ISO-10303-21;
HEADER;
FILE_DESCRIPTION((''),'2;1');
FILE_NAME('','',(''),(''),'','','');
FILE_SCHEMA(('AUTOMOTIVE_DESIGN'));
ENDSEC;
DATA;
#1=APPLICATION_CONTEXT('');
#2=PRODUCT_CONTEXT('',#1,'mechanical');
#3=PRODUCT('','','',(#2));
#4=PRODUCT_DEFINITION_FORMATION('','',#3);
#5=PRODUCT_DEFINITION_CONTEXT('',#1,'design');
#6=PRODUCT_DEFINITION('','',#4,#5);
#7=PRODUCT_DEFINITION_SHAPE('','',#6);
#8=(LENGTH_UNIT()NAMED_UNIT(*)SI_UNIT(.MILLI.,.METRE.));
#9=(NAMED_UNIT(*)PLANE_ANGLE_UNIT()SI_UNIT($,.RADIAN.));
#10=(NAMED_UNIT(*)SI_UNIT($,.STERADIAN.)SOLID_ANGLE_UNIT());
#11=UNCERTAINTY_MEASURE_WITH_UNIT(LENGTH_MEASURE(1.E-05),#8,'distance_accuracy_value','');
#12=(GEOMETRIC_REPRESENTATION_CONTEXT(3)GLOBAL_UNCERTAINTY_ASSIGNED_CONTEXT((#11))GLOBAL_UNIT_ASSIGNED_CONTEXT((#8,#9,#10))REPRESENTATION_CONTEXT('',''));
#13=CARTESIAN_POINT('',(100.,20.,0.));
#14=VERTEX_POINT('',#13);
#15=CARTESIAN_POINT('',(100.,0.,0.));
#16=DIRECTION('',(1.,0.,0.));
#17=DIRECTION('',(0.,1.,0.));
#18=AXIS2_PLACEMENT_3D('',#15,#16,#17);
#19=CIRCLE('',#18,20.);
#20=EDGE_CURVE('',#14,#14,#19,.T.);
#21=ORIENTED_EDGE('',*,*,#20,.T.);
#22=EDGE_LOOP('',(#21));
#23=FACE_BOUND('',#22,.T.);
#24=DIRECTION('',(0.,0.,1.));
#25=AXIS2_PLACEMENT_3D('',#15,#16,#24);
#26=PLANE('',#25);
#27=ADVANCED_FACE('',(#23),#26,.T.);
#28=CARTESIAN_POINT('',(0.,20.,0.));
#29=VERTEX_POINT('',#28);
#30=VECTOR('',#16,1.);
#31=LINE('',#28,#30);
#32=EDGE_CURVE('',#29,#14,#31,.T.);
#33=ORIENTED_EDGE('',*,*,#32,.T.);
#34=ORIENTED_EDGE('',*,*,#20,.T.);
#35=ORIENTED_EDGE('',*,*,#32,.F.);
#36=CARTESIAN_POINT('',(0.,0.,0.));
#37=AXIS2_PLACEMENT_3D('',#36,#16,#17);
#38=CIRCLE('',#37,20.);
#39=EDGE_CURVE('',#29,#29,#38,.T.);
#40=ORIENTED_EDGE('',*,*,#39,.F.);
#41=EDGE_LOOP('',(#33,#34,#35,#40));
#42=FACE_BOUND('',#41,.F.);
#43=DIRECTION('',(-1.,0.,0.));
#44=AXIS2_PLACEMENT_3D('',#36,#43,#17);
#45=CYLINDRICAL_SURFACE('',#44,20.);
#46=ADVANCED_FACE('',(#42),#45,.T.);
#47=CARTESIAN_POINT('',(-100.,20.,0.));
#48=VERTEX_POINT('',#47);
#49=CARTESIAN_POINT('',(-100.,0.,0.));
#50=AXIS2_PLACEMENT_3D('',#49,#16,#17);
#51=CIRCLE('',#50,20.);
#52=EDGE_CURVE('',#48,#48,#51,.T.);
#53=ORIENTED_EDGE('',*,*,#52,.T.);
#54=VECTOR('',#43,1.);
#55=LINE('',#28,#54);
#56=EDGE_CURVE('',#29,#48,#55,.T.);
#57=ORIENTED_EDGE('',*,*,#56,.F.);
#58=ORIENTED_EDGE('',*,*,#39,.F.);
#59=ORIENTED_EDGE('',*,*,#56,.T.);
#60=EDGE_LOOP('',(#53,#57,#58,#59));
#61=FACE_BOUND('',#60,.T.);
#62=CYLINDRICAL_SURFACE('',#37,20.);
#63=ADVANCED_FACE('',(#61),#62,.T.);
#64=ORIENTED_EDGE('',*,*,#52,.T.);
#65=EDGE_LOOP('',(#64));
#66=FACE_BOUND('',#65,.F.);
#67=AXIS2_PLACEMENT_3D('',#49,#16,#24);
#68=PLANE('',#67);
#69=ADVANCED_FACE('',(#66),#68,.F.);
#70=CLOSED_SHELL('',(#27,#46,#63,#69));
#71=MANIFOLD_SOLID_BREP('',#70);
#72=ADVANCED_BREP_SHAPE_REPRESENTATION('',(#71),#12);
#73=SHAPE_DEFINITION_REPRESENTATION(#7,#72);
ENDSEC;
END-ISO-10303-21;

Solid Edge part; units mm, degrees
sketch "Sketch1" plane through (0, 0, 0) normal (1, 0, 0) x (0, 1, 0)
  circle A0 centre (0, 0) radius 20
  dimension "D1" = 40
extrude "Extrusionsausprägung_3" add sketch "Sketch1" along normal mid plane 200
properties material "Acryl, hoher Anschlag"
